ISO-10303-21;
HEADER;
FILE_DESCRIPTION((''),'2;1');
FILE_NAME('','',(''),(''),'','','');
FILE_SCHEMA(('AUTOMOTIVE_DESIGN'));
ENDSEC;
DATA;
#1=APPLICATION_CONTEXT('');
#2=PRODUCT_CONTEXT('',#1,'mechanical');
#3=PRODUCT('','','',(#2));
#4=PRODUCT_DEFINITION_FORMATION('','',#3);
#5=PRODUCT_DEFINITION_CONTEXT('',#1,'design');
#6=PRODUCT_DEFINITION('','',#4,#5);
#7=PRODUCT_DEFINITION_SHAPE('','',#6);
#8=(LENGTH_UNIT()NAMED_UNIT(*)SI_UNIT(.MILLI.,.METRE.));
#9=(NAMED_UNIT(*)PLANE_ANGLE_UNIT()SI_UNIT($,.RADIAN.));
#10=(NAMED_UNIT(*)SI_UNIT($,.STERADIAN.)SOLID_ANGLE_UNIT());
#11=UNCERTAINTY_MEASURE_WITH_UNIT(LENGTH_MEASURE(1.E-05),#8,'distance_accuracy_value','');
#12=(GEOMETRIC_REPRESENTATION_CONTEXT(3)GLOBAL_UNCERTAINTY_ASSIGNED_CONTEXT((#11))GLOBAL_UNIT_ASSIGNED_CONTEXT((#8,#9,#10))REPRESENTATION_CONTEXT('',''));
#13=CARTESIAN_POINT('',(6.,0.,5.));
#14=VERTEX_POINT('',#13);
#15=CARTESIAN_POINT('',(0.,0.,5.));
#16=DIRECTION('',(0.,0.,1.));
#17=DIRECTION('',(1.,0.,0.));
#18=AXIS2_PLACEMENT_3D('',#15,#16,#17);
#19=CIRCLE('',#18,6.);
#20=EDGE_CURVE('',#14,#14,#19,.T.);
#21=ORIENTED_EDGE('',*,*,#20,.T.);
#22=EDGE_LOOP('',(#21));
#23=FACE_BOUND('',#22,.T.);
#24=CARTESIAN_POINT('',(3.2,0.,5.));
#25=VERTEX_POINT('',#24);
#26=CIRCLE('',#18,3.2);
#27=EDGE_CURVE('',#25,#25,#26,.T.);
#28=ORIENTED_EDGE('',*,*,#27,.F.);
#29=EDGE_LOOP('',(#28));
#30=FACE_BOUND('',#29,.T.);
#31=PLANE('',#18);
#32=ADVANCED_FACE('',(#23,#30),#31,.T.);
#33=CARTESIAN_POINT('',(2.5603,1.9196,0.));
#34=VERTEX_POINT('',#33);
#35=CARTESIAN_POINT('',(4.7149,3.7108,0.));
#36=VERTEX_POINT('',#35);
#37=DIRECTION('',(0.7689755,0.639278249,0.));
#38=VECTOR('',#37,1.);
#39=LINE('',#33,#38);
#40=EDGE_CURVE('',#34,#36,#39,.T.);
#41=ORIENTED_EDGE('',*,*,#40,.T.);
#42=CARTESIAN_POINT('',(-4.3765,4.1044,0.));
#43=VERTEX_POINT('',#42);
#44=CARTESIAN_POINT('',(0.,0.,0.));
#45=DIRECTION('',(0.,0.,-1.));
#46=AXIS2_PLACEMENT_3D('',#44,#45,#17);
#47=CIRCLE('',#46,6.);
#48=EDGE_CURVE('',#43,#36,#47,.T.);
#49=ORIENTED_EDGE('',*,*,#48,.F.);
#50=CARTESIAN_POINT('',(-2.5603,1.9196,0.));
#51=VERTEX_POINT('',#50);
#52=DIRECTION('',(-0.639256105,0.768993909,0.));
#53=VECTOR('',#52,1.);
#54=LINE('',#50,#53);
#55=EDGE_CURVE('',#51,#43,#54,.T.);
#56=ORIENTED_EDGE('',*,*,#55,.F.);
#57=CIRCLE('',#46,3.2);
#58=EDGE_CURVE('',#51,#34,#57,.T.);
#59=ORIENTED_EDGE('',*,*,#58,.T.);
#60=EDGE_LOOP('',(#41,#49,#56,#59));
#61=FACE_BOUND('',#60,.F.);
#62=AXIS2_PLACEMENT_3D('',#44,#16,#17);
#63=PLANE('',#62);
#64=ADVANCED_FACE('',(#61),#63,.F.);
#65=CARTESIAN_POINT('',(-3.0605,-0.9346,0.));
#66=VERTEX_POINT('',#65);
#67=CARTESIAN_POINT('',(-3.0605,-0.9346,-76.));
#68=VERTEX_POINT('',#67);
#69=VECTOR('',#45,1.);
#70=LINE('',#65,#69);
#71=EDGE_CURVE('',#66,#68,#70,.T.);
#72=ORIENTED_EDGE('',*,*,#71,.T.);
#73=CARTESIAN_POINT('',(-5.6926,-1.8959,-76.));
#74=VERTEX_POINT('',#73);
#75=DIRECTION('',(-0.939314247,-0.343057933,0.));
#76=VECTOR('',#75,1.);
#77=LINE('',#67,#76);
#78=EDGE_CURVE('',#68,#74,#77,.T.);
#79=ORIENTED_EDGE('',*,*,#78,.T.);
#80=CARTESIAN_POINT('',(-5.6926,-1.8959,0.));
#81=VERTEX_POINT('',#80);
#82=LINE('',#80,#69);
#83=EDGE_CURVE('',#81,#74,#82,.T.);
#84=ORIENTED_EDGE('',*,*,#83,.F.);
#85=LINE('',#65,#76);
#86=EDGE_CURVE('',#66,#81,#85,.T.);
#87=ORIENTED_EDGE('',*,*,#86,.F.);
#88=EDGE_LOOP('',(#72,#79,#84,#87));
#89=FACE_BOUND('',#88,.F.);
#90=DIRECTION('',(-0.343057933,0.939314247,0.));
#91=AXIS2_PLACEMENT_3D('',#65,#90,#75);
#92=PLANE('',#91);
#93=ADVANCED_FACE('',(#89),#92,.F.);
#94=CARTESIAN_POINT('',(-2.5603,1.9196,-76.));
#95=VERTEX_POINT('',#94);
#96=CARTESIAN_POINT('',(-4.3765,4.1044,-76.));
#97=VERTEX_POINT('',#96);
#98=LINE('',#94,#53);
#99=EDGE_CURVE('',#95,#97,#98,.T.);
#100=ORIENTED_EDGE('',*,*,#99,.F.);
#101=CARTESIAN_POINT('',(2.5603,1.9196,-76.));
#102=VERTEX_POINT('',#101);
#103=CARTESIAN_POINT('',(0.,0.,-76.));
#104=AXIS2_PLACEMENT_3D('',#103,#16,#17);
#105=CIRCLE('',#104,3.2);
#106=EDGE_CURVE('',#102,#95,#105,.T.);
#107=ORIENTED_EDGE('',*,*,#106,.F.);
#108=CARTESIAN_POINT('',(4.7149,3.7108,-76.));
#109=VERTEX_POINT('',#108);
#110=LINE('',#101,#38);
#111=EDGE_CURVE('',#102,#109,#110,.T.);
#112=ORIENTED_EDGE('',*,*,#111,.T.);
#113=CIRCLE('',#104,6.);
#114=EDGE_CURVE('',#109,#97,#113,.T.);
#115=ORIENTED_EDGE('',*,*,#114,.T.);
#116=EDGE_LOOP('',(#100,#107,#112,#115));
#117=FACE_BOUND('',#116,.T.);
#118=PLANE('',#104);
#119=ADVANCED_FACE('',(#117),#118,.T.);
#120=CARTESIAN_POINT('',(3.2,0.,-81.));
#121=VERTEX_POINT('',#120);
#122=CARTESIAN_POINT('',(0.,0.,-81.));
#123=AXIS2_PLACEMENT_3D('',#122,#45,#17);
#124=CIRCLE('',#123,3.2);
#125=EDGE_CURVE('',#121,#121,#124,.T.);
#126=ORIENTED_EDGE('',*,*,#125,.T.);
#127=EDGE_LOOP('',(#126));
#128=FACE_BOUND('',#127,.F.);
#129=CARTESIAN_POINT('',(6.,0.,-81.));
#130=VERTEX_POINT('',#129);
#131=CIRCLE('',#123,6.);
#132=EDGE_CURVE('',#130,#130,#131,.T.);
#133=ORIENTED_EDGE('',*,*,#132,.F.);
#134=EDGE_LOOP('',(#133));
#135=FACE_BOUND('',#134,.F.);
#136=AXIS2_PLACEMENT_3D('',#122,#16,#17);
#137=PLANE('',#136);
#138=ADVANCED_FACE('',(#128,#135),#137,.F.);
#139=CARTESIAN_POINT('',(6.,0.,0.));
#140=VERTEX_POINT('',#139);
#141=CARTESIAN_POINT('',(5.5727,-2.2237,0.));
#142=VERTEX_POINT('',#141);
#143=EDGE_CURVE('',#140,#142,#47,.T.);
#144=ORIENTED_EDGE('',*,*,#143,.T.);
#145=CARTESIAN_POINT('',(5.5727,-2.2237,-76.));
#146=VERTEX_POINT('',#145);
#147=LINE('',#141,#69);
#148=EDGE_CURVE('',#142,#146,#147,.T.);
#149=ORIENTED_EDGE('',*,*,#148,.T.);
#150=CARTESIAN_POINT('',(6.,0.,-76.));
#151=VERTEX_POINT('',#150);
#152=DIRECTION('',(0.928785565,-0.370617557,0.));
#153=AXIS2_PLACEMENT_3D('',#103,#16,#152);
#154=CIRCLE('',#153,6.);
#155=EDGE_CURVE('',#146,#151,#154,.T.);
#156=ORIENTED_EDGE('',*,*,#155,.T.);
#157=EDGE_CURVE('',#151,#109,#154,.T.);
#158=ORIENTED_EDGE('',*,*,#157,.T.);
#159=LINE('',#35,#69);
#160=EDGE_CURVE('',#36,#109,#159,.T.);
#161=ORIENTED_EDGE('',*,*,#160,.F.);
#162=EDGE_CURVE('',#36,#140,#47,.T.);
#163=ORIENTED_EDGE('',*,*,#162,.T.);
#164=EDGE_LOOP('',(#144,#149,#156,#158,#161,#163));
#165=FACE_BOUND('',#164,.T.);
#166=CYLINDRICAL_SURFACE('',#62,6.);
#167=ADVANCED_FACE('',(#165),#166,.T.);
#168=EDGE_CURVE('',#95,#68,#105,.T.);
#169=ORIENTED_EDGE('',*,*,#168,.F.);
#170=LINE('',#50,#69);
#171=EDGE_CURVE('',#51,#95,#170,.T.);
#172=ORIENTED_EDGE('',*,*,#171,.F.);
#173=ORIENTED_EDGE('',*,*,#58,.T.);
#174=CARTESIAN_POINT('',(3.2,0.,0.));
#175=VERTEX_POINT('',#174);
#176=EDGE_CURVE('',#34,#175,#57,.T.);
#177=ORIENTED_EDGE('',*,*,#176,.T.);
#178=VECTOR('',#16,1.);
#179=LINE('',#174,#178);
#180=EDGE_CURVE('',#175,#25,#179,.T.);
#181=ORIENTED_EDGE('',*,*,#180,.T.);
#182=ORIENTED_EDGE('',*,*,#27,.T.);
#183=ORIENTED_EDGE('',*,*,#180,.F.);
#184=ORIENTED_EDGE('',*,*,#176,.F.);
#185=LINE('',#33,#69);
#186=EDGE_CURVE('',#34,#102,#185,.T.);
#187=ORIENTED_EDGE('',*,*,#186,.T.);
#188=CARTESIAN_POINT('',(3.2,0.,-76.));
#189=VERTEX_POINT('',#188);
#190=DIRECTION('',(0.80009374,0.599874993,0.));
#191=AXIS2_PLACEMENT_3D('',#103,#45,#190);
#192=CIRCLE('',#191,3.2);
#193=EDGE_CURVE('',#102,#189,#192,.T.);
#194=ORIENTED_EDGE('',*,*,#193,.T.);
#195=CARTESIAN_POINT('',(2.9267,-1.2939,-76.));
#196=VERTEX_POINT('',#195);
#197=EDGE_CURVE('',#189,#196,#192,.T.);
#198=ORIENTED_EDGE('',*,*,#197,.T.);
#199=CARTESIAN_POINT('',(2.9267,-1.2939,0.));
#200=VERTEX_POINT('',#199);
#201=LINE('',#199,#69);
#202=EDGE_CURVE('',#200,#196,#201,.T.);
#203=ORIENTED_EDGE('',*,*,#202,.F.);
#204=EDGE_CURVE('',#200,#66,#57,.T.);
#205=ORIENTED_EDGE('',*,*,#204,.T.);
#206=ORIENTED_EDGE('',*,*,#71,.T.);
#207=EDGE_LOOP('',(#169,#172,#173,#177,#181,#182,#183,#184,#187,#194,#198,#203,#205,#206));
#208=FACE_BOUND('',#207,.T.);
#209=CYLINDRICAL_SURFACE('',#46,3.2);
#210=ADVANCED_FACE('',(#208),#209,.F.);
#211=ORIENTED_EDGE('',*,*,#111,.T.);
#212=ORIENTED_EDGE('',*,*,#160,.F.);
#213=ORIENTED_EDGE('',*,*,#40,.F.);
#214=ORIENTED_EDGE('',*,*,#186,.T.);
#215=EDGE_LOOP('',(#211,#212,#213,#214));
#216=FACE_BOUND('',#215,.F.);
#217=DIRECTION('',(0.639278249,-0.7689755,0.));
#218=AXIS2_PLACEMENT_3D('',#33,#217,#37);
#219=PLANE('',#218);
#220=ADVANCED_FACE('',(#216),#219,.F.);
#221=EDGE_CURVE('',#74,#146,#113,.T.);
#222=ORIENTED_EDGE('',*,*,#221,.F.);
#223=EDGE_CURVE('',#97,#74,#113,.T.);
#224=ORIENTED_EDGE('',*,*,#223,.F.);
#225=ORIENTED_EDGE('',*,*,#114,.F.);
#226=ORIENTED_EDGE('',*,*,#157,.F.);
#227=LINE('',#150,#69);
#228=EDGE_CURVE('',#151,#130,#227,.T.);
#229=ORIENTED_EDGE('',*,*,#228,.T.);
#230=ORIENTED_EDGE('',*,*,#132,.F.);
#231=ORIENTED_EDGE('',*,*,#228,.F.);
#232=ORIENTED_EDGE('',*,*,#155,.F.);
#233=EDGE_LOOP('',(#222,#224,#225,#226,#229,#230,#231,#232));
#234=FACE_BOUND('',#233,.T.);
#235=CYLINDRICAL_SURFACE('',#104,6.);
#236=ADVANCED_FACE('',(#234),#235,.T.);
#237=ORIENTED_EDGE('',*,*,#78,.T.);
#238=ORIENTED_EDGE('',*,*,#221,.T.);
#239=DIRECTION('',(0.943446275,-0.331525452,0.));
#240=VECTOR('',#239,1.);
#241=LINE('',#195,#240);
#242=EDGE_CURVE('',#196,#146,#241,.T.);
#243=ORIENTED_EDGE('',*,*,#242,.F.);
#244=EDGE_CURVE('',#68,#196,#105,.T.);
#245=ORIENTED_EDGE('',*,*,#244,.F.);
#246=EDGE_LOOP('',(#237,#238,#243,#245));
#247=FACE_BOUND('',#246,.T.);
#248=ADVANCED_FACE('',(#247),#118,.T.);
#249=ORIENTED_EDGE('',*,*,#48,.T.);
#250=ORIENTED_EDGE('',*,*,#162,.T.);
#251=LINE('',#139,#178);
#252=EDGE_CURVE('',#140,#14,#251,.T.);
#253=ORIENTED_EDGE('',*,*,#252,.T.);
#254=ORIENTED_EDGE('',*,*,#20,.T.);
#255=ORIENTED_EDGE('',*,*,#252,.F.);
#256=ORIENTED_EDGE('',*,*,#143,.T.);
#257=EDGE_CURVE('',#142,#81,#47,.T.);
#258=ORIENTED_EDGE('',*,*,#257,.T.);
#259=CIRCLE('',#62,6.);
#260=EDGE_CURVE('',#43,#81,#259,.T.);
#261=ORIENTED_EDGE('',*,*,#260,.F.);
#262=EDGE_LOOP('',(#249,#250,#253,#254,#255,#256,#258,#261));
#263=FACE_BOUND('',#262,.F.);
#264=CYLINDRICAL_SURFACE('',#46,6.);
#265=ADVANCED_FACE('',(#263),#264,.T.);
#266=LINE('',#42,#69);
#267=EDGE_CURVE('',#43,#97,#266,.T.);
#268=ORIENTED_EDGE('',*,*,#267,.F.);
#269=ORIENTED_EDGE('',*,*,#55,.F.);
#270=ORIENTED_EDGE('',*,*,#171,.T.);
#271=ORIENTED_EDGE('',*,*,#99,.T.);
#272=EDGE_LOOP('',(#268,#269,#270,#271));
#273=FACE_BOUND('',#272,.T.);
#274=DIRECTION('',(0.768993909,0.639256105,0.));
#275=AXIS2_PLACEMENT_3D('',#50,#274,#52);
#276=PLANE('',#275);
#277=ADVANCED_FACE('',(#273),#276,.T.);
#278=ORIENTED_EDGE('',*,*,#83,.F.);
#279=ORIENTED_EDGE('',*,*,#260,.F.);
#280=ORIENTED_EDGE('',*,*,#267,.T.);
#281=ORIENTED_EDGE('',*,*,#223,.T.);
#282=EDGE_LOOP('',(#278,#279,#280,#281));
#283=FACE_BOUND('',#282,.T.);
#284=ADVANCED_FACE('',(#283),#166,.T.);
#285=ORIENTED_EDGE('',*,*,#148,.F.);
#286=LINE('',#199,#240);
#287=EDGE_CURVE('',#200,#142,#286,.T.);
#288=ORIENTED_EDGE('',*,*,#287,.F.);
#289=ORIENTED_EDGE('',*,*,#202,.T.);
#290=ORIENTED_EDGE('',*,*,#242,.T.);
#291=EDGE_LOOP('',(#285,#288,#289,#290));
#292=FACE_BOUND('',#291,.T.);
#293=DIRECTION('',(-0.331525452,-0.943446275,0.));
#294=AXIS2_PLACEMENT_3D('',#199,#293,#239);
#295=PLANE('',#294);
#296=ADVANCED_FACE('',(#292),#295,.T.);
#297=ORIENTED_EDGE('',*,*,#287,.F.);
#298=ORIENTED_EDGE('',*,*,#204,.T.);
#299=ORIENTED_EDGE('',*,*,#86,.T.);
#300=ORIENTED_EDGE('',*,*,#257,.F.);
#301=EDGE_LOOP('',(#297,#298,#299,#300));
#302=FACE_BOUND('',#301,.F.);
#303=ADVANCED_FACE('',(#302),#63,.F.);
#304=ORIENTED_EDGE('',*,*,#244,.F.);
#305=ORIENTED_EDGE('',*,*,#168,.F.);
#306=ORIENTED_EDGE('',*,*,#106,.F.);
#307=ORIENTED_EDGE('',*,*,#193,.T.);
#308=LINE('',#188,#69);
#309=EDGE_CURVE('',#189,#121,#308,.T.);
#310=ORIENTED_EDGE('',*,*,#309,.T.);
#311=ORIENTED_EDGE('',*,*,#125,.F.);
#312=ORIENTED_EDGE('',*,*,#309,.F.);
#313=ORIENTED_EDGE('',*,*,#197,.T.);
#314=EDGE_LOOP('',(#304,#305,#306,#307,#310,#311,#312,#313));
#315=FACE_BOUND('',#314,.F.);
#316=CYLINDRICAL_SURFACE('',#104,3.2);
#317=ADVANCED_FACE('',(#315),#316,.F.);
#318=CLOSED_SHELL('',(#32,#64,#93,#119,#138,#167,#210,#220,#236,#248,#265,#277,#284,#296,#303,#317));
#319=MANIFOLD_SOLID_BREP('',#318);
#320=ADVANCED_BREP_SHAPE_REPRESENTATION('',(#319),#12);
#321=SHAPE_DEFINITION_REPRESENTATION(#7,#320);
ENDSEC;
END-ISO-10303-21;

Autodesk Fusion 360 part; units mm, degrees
sketch "Sketch1" plane through (0, 0, 0) normal (0, 0, 1) x (1, 0, 0)
  circle A0 centre (0, 0) radius 3.2
  circle A1 centre (0, 0) radius 6
  line L0 (-3.0605, -0.9346) -> (-5.6926, -1.8959)
  line L1 (-2.5603, 1.9196) -> (-4.3765, 4.1044)
  line L2 (2.5603, 1.9196) -> (4.7149, 3.7108)
  line L3 (2.9267, -1.2939) -> (5.5727, -2.2237)
  dimension "d1" = 6.4
  dimension "d2" = 12
extrude "Extrude1" add sketch "Sketch1" along normal blind 5 contours A0 A1 L2 L3 | A0 A1 L1 L2 | A0 A1 L0 L3 | A0 A1 L0 L1
extrude "Extrude2" add sketch "Sketch1" against normal blind 76 contours A0 A1 L2 L3 | A0 A1 L0 L1
extrude "Extrude3" add sketch "Sketch1" against normal blind 5 from surface at -76 contours A0 A1 L2 L3 | A0 A1 L1 L2 | A0 A1 L0 L3 | A0 A1 L0 L1
